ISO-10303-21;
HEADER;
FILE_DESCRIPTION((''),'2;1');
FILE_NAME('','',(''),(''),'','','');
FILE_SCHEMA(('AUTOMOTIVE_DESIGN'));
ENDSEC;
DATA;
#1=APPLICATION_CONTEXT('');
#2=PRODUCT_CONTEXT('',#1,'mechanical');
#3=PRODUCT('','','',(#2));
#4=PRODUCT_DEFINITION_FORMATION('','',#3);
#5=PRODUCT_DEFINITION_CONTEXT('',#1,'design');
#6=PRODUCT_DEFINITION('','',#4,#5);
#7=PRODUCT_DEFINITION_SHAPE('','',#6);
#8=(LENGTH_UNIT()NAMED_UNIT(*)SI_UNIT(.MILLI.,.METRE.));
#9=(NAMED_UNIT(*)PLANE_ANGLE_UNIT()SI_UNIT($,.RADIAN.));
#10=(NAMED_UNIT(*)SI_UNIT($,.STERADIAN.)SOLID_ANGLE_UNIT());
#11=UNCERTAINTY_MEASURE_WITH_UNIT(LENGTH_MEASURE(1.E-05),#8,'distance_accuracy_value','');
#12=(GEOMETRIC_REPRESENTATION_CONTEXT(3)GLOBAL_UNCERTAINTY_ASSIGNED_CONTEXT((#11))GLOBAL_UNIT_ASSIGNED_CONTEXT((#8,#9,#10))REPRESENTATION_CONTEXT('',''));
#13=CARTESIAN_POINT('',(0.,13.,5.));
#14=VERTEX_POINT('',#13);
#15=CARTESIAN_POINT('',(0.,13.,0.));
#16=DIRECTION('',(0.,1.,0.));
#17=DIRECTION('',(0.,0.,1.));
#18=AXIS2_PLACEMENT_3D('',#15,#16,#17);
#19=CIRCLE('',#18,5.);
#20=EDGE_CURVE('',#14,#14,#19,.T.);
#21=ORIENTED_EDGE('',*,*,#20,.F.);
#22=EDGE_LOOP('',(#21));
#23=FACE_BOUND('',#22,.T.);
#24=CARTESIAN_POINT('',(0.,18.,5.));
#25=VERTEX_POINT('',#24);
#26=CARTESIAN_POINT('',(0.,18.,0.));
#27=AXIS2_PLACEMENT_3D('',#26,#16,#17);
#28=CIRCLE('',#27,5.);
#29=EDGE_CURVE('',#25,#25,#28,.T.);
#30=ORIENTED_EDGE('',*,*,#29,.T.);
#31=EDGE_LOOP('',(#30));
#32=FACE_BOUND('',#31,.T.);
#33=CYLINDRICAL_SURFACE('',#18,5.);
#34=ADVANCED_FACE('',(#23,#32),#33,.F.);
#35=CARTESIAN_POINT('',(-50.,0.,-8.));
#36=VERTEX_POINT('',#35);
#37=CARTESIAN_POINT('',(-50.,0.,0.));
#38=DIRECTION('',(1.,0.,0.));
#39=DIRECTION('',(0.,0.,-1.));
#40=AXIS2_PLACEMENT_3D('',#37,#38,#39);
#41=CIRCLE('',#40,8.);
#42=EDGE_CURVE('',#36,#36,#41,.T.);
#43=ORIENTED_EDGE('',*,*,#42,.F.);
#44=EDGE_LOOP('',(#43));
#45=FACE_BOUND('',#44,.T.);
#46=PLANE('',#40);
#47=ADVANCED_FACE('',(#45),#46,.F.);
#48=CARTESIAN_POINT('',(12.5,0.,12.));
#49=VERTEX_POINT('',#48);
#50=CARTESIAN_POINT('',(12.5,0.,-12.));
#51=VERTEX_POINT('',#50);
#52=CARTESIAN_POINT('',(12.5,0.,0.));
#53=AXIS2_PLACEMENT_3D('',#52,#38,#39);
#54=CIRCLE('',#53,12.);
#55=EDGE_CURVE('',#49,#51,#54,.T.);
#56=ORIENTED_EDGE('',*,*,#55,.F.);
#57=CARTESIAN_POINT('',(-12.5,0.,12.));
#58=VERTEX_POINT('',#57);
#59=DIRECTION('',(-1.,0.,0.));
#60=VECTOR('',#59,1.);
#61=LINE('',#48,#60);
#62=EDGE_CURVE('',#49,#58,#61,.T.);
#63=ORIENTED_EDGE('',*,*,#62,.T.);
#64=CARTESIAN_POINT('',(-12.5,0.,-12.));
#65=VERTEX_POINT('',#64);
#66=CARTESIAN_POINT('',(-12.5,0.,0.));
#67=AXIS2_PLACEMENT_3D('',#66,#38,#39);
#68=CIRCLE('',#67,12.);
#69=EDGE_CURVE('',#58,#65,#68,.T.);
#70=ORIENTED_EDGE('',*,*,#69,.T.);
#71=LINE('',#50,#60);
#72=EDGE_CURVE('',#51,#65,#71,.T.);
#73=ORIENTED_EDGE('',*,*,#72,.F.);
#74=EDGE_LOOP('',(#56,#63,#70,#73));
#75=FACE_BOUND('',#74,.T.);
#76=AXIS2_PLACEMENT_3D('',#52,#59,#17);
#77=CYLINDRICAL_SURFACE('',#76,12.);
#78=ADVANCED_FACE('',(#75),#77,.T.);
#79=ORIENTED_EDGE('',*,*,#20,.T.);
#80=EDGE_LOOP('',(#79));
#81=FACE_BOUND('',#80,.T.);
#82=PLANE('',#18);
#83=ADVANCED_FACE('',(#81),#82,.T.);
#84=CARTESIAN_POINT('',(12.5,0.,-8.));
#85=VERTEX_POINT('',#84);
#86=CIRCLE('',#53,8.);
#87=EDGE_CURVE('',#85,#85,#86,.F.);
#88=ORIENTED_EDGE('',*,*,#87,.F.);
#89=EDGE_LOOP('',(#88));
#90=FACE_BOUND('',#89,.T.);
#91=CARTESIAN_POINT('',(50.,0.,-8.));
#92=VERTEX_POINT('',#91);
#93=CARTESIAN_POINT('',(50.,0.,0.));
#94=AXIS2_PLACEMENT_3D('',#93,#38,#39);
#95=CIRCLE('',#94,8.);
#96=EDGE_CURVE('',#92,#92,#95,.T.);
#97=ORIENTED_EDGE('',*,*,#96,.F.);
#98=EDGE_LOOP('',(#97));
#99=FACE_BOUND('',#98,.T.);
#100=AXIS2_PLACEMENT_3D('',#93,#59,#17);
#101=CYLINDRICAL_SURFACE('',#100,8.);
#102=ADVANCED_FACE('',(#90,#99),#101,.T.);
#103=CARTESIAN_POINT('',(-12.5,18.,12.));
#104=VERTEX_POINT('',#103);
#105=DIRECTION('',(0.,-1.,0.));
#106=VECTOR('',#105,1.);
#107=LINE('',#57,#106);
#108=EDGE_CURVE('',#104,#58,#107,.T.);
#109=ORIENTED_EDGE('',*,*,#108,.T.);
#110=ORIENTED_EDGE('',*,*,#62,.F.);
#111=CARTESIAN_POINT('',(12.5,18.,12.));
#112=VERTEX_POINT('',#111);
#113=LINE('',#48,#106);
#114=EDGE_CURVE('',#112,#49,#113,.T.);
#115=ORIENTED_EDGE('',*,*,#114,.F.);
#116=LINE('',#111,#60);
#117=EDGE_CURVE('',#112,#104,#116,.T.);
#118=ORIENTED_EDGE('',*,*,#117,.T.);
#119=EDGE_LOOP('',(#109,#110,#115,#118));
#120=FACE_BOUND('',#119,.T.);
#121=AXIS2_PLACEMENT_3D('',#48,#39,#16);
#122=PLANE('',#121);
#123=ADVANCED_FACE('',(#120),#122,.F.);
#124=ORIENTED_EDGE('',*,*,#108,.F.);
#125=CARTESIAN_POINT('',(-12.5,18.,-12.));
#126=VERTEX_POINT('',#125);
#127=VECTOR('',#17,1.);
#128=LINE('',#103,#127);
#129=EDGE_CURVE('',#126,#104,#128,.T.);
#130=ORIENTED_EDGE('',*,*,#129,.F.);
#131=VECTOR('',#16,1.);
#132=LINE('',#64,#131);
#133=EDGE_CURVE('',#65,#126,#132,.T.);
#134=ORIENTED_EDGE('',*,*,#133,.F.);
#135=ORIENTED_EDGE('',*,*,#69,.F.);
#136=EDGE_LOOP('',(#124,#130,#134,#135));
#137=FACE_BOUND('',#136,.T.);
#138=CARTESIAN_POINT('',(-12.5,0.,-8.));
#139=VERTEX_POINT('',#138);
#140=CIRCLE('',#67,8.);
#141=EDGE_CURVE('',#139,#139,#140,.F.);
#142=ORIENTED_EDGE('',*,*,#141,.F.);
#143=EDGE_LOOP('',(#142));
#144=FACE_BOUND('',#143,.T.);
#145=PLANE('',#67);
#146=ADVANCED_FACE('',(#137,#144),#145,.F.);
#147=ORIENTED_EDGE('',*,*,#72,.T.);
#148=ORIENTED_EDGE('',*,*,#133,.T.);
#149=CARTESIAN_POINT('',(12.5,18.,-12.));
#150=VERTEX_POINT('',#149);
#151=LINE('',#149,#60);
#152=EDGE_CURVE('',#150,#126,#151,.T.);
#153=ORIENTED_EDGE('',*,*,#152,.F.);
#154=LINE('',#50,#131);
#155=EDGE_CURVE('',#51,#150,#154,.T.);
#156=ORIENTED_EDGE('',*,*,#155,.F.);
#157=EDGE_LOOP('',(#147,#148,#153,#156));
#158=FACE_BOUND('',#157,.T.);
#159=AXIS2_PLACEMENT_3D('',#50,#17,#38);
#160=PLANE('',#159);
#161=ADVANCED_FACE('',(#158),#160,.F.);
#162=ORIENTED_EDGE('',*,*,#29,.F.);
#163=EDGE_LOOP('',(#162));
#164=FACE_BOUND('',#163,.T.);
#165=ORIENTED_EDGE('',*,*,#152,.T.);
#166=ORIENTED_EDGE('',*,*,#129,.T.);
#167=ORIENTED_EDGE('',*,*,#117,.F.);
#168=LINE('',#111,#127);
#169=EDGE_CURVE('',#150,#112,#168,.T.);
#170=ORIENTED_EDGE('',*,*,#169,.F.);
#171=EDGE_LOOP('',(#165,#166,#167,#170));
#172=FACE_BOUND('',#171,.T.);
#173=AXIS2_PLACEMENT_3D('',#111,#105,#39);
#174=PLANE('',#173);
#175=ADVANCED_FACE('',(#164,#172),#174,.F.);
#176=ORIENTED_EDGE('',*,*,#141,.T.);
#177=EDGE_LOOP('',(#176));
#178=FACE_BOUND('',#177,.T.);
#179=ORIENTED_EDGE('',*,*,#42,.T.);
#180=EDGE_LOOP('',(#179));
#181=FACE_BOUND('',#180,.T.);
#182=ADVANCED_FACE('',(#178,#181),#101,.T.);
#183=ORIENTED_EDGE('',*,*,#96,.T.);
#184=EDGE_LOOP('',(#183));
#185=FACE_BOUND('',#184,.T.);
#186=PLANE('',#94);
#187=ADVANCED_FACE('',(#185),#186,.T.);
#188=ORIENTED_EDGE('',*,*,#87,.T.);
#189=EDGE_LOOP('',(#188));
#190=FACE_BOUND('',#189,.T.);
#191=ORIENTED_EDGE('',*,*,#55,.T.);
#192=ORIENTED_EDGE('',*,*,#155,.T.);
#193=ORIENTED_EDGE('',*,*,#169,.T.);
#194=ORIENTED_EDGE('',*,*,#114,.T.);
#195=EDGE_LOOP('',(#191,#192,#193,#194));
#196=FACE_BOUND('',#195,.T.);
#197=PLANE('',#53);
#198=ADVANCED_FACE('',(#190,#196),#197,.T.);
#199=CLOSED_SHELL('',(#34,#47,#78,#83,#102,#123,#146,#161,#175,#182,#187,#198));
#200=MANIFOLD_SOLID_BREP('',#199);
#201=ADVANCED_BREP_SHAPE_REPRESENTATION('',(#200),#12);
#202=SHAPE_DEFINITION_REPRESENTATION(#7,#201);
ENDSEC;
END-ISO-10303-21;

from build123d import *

# Parameters (mm, degrees)
BOSS_EXTRUDE1_DEPTH = 12.5
SKETCH2_R           = 8
BOSS_EXTRUDE2_DEPTH = 50
SKETCH3_R           = 5
CUT_EXTRUDE1_DEPTH  = 5


with BuildPart() as part:
    # Sketch1 → Boss-Extrude1 (new body, symmetric)
    with BuildSketch(Plane(origin=(0, 0, 0), x_dir=(0, 0, -1), z_dir=(1, 0, 0))):
        with BuildLine():
            Line((-12, 0), (-12, 18))
            Line((-12, 18), (12, 18))
            Line((12, 18), (12, 0))
            ThreePointArc((12, 0), (0, -12), (-12, 0))
        make_face()
    extrude(amount=BOSS_EXTRUDE1_DEPTH, both=True)

    # Sketch2 → Boss-Extrude2 (add, symmetric)
    with BuildSketch(Plane(origin=(0, 0, 0), x_dir=(0, 0, -1), z_dir=(1, 0, 0))):
        Circle(SKETCH2_R)
    extrude(amount=BOSS_EXTRUDE2_DEPTH, both=True)

    # Sketch3 → Cut-Extrude1 (cut)
    with BuildSketch(Plane(origin=(0, 18, 0), x_dir=(1, 0, 0), z_dir=(0, 1, 0))):
        Circle(SKETCH3_R)
    extrude(amount=-CUT_EXTRUDE1_DEPTH, mode=Mode.SUBTRACT)


solid = part.part
